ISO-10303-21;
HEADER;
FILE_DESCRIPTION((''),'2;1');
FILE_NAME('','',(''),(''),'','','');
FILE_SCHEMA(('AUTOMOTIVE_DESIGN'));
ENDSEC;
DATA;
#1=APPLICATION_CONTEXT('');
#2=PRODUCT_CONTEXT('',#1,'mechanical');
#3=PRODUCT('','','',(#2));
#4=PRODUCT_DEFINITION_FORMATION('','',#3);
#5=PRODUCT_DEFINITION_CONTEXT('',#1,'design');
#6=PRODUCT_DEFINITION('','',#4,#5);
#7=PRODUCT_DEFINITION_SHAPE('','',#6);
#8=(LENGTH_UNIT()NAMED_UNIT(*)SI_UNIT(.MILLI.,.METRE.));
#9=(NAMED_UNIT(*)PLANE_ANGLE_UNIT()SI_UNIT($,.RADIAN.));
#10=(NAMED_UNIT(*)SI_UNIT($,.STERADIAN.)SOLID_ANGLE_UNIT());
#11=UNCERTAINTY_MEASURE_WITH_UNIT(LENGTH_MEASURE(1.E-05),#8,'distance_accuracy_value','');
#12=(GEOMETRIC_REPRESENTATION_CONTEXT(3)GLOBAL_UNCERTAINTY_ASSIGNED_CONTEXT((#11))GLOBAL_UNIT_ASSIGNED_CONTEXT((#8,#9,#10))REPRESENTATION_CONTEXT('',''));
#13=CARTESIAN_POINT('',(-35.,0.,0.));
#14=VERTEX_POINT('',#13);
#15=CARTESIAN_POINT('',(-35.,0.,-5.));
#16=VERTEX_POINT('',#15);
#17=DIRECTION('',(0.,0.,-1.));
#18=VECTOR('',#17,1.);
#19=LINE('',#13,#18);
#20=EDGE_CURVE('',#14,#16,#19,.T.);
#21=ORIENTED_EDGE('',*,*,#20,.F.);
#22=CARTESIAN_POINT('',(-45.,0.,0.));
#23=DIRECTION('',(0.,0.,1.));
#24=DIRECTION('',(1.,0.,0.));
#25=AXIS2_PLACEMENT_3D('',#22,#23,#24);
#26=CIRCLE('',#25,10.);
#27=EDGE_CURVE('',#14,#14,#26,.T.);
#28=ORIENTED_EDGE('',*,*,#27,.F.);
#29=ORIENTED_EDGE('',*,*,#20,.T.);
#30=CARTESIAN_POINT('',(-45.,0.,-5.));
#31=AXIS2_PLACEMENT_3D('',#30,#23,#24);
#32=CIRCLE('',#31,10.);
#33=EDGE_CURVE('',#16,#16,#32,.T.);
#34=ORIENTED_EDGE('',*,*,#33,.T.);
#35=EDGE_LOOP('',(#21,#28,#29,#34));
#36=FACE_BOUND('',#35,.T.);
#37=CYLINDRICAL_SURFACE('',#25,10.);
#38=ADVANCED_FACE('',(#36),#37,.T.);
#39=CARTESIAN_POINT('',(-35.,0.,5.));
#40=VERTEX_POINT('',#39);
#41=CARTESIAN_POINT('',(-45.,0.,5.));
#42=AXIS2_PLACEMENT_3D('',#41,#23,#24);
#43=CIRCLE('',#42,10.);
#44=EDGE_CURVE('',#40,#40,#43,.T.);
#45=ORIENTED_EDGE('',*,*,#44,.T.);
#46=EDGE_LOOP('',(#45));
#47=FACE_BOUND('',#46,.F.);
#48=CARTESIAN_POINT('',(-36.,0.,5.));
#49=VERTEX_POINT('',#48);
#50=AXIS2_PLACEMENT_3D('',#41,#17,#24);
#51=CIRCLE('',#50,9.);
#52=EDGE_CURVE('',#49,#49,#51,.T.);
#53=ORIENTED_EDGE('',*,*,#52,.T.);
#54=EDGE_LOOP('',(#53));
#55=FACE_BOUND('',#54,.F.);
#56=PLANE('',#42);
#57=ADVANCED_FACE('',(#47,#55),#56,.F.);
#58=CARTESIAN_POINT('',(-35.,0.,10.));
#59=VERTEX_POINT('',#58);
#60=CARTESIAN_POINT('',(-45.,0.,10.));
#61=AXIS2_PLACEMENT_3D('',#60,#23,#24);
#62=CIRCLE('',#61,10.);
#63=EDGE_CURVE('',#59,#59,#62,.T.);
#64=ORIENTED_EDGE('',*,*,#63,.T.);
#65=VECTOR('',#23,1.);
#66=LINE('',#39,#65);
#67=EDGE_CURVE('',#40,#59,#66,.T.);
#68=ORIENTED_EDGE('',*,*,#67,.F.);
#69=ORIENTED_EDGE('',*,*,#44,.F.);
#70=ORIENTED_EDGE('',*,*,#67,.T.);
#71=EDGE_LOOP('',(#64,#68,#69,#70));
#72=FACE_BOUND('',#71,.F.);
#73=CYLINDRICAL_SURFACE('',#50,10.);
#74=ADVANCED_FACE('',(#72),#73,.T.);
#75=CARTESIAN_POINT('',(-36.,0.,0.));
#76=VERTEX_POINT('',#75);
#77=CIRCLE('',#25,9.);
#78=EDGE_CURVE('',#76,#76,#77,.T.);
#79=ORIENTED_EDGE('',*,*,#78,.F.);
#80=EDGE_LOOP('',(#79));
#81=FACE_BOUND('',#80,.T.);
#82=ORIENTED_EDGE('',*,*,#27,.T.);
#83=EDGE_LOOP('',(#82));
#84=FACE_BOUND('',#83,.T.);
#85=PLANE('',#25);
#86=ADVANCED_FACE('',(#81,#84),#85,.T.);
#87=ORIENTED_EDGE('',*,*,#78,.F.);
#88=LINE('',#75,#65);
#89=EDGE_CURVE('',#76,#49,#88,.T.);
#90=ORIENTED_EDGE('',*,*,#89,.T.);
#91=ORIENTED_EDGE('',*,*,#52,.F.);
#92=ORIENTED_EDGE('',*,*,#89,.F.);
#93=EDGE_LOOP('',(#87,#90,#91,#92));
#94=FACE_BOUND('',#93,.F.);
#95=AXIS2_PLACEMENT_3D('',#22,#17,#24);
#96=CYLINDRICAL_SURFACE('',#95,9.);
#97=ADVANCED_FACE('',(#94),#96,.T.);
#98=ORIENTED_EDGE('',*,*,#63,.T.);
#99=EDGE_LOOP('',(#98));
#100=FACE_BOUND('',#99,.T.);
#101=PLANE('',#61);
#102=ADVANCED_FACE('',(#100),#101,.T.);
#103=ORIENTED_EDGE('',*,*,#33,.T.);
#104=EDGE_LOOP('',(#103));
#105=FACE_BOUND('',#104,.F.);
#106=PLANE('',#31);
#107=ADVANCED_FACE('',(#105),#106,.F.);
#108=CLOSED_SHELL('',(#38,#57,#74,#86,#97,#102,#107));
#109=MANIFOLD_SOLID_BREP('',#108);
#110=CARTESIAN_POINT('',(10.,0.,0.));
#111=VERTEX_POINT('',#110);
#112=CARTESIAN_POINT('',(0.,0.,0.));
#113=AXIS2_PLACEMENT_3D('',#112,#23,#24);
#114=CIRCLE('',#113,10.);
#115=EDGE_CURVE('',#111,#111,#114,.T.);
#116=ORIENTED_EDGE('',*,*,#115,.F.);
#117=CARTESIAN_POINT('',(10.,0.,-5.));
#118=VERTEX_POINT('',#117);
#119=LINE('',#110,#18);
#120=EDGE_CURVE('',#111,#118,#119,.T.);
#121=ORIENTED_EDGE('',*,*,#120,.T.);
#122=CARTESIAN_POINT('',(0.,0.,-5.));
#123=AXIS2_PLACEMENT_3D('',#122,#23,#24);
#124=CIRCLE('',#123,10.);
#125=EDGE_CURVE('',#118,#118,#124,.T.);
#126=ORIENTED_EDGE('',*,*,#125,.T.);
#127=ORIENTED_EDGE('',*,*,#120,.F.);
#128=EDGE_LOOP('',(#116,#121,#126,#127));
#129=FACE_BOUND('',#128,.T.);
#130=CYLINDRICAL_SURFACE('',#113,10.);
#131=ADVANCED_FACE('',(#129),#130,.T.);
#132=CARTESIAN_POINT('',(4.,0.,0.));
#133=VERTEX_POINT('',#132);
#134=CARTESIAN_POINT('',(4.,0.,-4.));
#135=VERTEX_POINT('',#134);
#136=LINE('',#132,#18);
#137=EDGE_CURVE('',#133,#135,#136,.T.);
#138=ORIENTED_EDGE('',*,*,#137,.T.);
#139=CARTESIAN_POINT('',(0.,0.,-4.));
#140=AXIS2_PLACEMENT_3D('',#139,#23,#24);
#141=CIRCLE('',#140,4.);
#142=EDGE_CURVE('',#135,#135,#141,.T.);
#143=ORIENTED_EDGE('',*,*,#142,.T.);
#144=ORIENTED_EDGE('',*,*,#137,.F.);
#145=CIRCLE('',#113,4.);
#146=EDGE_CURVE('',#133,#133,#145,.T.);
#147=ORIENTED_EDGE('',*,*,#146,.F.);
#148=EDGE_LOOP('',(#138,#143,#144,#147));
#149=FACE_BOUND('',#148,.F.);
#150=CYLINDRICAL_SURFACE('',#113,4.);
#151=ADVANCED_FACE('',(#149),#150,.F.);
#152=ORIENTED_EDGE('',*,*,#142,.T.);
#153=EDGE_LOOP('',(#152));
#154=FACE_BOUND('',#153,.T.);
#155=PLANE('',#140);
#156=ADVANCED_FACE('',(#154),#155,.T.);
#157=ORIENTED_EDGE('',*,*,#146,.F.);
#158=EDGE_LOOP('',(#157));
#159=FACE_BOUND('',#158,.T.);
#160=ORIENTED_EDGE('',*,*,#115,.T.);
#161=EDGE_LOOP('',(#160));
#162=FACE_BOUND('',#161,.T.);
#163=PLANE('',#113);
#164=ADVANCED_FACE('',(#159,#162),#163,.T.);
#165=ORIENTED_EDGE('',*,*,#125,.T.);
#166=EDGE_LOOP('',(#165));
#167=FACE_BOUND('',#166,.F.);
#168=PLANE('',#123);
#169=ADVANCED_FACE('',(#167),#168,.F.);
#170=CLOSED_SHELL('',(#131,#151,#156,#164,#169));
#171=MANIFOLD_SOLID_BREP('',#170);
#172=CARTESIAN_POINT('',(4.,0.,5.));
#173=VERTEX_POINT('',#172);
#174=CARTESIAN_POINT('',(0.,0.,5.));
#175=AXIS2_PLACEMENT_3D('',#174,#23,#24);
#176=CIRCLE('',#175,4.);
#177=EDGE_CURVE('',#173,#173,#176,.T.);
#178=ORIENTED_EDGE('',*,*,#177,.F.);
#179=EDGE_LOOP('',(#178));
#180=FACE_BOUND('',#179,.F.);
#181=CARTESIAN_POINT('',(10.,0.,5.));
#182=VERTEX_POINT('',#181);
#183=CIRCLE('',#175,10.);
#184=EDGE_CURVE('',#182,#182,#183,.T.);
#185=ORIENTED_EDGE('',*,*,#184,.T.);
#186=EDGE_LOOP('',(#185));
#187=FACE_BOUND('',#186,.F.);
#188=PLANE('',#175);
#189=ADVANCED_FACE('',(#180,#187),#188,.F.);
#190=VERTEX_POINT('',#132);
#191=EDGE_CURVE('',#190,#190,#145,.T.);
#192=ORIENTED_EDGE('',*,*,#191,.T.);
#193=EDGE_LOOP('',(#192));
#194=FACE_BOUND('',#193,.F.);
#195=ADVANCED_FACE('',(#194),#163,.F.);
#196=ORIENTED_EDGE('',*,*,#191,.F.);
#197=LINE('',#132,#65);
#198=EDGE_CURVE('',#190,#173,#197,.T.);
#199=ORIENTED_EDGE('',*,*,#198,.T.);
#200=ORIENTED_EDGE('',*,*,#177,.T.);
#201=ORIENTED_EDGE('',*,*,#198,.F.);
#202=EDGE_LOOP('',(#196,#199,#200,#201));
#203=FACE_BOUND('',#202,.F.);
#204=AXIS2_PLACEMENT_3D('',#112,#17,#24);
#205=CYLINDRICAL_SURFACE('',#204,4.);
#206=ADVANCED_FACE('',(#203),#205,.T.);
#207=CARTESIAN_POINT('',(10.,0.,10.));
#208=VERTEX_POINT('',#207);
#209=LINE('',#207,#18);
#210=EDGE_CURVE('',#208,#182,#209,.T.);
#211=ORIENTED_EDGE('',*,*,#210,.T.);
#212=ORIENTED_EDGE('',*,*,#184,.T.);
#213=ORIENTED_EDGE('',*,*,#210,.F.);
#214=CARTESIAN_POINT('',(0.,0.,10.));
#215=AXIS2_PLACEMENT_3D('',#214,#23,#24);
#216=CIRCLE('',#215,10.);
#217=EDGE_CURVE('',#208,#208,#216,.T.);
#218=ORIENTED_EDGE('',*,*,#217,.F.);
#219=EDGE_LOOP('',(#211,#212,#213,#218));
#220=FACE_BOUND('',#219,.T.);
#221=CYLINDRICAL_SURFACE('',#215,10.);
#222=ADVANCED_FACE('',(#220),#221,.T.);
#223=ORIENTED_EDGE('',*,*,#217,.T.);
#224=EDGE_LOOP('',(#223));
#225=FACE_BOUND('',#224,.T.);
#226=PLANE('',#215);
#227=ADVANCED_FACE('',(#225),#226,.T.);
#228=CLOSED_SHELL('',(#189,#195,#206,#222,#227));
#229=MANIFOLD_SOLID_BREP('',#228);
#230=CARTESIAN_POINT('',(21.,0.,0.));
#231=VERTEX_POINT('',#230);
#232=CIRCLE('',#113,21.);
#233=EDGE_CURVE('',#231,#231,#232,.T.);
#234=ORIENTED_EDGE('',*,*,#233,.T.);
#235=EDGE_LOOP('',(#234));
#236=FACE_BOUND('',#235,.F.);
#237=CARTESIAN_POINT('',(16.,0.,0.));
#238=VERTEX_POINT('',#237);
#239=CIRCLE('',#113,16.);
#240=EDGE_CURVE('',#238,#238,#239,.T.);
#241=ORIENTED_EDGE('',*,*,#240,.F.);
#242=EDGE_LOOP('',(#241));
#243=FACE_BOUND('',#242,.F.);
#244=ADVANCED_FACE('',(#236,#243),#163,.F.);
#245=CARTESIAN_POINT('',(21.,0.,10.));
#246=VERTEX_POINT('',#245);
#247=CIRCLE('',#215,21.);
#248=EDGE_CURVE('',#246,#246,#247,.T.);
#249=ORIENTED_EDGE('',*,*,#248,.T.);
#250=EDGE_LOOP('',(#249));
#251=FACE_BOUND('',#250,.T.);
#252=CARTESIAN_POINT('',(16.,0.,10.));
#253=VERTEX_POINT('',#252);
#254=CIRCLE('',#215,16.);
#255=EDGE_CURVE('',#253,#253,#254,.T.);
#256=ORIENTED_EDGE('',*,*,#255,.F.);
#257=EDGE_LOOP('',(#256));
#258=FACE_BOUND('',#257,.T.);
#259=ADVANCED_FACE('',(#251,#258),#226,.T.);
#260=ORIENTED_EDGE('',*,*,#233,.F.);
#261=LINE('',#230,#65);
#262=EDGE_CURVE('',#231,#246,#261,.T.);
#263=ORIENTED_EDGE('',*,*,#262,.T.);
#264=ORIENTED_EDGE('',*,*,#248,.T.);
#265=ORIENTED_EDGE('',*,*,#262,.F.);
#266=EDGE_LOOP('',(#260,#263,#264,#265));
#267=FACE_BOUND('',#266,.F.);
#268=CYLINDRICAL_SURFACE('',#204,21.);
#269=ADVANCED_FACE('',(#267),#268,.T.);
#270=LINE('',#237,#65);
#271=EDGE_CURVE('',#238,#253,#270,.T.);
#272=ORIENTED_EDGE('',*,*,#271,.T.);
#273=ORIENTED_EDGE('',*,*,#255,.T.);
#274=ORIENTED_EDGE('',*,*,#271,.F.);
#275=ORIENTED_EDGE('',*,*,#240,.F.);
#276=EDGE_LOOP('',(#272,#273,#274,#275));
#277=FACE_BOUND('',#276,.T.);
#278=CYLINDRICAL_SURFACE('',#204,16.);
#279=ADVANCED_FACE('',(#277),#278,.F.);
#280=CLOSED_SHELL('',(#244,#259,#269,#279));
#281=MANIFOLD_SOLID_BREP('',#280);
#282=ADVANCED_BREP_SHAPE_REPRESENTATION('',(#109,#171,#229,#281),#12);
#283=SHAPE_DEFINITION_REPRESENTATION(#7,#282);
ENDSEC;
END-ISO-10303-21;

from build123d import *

# Parameters (mm, degrees)
F0_R      = 10
F0_R_2    = 4
F1_DEPTH  = 5
F2_DEPTH  = 10
F3_R      = 10
F3_R_2    = 4
F4_DEPTH  = 5
F5_DEPTH  = 4
F0_R_3    = 21
F0_R_4    = 16
F6_DEPTH  = 10
F0_R_5    = 9
F7_DEPTH  = 5
F9_DEPTH  = 10
F10_R     = 10
F11_DEPTH = 5


with BuildPart() as f1:
    # F0 (on Top) → F1 (new body)
    with BuildSketch(Plane.XY):
        Circle(F0_R)
        Circle(F0_R_2, mode=Mode.SUBTRACT)
        Circle(F0_R_2)
    extrude(amount=-F1_DEPTH)

    # F0 (on Top) → F5 (cut)
    with BuildSketch(Plane.XY):
        Circle(F0_R_2)
    extrude(amount=-F5_DEPTH, mode=Mode.SUBTRACT)


with BuildPart() as f2:
    # F0 (on Top) → F2 (new body)
    with BuildSketch(Plane.XY):
        Circle(F0_R_2)
    extrude(amount=F2_DEPTH)

    # F3 (on face) → F4 (join)
    with BuildSketch(Plane.XY.offset(10)):
        Circle(F3_R)
        Circle(F3_R_2, mode=Mode.SUBTRACT)
    extrude(amount=-F4_DEPTH)


with BuildPart() as f6:
    # F0 (on Top) → F6 (new body)
    with BuildSketch(Plane.XY):
        Circle(F0_R_3)
        Circle(F0_R_4, mode=Mode.SUBTRACT)
    extrude(amount=F6_DEPTH)


with BuildPart() as f7:
    # F0 (on Top) → F7 (new body)
    with BuildSketch(Plane.XY):
        with Locations((-45, 0)):
            Circle(F0_R)
        with Locations((-45, 0)):
            Circle(F0_R_5, mode=Mode.SUBTRACT)
        with Locations((-45, 0)):
            Circle(F0_R_5)
    extrude(amount=-F7_DEPTH)

    # F0 (on Top) → F9 (join)
    with BuildSketch(Plane.XY):
        with Locations((-45, 0)):
            Circle(F0_R_5)
    extrude(amount=F9_DEPTH)

    # F10 (on offset) → F11 (join)
    with BuildSketch(Plane.XY.offset(5)):
        with Locations((-45, 0)):
            Circle(F10_R)
    extrude(amount=F11_DEPTH)


solid = Compound([f1.part, f2.part, f6.part, f7.part])
